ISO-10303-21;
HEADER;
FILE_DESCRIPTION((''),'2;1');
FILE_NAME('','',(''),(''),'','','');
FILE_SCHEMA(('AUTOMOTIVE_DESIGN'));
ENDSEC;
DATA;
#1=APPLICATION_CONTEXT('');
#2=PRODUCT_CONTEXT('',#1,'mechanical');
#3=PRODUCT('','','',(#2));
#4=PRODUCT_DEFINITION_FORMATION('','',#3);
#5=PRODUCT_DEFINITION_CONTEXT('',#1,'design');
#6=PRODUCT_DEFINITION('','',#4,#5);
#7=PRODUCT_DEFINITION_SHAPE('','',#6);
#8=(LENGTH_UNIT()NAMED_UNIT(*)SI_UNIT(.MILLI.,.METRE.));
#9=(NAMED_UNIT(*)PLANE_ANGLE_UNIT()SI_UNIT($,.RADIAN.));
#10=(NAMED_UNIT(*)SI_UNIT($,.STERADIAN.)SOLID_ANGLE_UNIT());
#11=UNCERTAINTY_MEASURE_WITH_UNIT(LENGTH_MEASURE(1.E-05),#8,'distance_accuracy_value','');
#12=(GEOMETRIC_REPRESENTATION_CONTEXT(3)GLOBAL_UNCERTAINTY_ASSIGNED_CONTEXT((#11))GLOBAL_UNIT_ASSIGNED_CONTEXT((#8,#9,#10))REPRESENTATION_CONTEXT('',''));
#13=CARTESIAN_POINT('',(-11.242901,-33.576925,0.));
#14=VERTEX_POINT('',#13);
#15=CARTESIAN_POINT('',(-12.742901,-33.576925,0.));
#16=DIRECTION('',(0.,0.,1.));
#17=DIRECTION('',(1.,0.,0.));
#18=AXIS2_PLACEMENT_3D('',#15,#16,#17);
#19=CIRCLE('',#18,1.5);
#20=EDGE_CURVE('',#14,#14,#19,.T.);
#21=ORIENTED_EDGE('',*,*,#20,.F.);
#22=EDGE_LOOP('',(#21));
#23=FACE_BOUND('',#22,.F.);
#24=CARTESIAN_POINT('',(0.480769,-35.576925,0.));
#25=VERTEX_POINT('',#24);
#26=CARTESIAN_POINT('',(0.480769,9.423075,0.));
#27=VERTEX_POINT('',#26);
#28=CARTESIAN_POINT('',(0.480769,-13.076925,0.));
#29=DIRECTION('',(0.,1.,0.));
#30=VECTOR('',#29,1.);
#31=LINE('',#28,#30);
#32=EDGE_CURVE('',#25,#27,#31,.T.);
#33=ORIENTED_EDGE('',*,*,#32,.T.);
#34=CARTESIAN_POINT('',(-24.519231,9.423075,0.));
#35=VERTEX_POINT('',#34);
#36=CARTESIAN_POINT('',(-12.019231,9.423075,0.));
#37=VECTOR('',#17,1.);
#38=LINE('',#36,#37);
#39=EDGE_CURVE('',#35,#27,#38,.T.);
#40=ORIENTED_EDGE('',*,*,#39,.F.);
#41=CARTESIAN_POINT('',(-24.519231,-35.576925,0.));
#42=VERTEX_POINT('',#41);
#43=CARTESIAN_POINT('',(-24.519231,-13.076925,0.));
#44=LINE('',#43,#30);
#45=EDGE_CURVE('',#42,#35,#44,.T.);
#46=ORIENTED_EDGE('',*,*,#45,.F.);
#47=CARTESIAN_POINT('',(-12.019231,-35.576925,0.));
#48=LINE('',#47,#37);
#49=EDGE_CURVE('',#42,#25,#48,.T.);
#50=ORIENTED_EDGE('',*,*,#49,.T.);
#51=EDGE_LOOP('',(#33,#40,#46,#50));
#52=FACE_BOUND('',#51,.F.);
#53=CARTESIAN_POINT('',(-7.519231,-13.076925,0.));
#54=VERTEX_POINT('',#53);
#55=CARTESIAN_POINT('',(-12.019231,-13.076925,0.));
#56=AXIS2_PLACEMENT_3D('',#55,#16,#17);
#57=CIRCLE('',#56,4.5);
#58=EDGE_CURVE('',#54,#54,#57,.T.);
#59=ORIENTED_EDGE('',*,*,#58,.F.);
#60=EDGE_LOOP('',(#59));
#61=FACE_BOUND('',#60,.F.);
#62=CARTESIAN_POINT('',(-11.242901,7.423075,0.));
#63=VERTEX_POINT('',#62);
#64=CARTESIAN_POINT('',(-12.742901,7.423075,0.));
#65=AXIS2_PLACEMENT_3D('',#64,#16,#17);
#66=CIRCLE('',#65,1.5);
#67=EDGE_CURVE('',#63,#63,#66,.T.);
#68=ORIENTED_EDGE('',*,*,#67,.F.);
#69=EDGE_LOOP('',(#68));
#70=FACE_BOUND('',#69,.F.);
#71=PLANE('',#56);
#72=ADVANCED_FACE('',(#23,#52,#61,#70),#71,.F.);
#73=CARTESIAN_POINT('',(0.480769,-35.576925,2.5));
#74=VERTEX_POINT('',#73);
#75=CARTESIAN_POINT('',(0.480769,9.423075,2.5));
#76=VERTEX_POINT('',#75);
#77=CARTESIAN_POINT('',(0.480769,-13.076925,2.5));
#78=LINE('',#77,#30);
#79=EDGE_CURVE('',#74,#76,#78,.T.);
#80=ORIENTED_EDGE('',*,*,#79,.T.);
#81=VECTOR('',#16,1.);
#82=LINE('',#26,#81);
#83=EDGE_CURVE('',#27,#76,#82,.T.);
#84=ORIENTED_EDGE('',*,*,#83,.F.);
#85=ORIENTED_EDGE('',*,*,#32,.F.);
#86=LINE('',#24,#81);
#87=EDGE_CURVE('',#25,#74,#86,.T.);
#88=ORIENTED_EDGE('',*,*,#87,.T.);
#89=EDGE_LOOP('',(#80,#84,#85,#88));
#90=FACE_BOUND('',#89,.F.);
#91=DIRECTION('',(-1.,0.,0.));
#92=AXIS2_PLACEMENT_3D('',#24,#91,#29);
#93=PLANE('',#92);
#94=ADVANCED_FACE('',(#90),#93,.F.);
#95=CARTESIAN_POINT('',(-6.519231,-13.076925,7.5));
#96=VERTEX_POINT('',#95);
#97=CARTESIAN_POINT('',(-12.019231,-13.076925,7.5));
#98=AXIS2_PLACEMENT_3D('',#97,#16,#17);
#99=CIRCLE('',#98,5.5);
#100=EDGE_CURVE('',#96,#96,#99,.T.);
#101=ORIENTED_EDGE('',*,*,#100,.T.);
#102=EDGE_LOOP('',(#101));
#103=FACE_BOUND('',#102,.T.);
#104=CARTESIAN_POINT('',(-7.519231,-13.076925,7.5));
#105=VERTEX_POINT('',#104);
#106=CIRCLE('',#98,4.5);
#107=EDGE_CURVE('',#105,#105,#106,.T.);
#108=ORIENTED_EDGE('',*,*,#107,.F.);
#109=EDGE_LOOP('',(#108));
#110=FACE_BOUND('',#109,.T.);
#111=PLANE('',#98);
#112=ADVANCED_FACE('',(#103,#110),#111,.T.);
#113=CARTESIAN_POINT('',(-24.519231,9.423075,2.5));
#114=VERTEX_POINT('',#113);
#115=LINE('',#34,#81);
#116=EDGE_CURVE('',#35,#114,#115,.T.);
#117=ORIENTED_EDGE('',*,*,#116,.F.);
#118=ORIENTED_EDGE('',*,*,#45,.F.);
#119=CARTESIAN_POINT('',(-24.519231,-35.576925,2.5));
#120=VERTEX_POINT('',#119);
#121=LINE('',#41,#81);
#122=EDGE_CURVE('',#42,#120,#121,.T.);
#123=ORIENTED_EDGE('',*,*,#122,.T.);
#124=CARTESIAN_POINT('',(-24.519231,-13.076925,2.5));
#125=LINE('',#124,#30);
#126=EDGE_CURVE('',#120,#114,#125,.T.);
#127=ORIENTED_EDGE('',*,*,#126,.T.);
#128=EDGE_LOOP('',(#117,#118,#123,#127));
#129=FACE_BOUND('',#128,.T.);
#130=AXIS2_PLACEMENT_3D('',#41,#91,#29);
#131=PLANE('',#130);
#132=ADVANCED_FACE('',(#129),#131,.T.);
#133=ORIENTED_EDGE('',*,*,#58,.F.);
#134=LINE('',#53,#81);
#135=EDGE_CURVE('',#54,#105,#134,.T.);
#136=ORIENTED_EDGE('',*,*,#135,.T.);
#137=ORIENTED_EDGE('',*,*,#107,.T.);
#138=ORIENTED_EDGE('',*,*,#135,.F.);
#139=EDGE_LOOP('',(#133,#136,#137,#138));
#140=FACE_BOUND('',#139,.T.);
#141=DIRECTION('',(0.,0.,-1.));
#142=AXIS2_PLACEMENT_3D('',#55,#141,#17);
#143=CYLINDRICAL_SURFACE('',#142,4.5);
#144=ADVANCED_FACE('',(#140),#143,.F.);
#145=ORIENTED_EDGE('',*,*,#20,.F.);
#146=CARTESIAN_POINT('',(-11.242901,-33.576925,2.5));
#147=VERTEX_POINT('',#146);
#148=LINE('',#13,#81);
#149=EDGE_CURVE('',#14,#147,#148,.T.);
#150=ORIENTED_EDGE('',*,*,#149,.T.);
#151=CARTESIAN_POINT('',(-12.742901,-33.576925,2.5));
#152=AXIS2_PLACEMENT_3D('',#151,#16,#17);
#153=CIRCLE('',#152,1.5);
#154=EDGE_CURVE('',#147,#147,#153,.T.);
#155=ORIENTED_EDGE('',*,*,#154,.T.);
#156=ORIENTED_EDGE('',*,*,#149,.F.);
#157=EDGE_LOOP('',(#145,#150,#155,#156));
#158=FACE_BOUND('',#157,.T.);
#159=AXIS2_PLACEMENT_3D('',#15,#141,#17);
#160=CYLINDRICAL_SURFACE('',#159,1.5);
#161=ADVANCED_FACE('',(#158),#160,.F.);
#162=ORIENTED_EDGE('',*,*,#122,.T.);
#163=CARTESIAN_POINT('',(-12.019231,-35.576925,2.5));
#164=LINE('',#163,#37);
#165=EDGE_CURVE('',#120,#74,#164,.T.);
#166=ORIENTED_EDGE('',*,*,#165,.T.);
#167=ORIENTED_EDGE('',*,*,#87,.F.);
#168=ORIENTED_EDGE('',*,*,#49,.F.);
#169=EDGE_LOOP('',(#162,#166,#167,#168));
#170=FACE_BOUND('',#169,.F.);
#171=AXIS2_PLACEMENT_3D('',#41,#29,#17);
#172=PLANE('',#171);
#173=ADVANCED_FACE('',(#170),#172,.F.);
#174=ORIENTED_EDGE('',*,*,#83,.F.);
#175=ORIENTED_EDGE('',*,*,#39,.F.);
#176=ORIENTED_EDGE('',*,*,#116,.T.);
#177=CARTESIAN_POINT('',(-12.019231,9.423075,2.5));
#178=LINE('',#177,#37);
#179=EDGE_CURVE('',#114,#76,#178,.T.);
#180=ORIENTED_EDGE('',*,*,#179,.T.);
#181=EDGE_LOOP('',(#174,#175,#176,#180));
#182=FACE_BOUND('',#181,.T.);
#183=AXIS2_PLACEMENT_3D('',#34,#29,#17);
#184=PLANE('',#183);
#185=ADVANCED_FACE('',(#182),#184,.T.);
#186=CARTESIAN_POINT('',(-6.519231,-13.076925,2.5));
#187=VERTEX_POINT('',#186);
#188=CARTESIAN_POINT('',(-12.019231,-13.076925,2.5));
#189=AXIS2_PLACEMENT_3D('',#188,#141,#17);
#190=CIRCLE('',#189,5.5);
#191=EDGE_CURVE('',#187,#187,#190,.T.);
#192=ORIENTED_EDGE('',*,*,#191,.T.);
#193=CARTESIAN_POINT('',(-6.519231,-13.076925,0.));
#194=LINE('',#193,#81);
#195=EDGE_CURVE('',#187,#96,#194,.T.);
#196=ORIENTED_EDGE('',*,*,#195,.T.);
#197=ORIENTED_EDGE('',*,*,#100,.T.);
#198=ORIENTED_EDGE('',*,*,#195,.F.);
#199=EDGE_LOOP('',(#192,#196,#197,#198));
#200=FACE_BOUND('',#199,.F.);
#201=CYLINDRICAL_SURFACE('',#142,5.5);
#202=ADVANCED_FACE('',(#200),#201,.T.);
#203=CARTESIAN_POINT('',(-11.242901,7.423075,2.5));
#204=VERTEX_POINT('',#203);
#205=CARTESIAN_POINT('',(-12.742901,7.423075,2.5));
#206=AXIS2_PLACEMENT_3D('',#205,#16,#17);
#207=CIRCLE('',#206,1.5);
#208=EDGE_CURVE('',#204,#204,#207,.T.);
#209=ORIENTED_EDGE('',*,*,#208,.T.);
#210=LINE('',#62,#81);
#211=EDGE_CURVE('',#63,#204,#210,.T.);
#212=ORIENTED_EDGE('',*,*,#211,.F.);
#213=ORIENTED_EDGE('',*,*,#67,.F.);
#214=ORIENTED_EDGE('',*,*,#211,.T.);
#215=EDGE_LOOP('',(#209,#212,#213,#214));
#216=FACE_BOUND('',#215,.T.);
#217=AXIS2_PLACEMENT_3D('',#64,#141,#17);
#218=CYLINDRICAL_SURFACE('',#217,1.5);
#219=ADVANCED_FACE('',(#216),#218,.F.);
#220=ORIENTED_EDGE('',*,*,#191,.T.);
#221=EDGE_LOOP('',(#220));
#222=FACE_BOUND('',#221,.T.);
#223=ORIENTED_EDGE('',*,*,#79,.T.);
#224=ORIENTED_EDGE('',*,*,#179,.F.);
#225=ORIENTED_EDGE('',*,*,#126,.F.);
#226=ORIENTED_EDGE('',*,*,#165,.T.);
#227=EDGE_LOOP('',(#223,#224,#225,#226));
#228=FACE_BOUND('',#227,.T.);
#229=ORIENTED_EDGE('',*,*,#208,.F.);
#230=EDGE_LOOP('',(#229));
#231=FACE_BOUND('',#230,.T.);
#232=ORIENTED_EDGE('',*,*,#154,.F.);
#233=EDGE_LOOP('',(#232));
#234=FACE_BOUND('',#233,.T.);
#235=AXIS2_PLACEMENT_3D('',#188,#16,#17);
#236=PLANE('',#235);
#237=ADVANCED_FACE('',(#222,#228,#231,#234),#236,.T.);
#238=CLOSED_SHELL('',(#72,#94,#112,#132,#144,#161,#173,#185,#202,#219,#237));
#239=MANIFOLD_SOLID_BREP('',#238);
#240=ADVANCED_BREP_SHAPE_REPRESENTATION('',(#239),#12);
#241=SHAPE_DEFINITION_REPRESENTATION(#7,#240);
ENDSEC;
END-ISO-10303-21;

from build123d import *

# Parameters (mm, degrees)
F0_W     = 25
F0_H     = 45
F0_R     = 1.5
F0_R_2   = 5.5
F0_R_3   = 4.5
F1_DEPTH = 2.5
F2_DEPTH = 7.5


with BuildPart() as f1:
    # F0 (on Top) → F1 (new body)
    with BuildSketch(Plane.XY):
        with Locations((-12.019231, -13.076925)):
            Rectangle(F0_W, F0_H)
        with Locations((-12.742901, -33.576925)):
            Circle(F0_R, mode=Mode.SUBTRACT)
        with Locations((-12.019231, -13.076925)):
            Circle(F0_R_2, mode=Mode.SUBTRACT)
        with Locations((-12.742901, 7.423075)):
            Circle(F0_R, mode=Mode.SUBTRACT)
        with Locations((-12.019231, -13.076925)):
            Circle(F0_R_2)
        with Locations((-12.019231, -13.076925)):
            Circle(F0_R_3, mode=Mode.SUBTRACT)
    extrude(amount=F1_DEPTH)

    # F0 (on Top) → F2 (join)
    with BuildSketch(Plane.XY):
        with Locations((-12.019231, -13.076925)):
            Circle(F0_R_2)
        with Locations((-12.019231, -13.076925)):
            Circle(F0_R_3, mode=Mode.SUBTRACT)
    extrude(amount=F2_DEPTH)


solid = f1.part
